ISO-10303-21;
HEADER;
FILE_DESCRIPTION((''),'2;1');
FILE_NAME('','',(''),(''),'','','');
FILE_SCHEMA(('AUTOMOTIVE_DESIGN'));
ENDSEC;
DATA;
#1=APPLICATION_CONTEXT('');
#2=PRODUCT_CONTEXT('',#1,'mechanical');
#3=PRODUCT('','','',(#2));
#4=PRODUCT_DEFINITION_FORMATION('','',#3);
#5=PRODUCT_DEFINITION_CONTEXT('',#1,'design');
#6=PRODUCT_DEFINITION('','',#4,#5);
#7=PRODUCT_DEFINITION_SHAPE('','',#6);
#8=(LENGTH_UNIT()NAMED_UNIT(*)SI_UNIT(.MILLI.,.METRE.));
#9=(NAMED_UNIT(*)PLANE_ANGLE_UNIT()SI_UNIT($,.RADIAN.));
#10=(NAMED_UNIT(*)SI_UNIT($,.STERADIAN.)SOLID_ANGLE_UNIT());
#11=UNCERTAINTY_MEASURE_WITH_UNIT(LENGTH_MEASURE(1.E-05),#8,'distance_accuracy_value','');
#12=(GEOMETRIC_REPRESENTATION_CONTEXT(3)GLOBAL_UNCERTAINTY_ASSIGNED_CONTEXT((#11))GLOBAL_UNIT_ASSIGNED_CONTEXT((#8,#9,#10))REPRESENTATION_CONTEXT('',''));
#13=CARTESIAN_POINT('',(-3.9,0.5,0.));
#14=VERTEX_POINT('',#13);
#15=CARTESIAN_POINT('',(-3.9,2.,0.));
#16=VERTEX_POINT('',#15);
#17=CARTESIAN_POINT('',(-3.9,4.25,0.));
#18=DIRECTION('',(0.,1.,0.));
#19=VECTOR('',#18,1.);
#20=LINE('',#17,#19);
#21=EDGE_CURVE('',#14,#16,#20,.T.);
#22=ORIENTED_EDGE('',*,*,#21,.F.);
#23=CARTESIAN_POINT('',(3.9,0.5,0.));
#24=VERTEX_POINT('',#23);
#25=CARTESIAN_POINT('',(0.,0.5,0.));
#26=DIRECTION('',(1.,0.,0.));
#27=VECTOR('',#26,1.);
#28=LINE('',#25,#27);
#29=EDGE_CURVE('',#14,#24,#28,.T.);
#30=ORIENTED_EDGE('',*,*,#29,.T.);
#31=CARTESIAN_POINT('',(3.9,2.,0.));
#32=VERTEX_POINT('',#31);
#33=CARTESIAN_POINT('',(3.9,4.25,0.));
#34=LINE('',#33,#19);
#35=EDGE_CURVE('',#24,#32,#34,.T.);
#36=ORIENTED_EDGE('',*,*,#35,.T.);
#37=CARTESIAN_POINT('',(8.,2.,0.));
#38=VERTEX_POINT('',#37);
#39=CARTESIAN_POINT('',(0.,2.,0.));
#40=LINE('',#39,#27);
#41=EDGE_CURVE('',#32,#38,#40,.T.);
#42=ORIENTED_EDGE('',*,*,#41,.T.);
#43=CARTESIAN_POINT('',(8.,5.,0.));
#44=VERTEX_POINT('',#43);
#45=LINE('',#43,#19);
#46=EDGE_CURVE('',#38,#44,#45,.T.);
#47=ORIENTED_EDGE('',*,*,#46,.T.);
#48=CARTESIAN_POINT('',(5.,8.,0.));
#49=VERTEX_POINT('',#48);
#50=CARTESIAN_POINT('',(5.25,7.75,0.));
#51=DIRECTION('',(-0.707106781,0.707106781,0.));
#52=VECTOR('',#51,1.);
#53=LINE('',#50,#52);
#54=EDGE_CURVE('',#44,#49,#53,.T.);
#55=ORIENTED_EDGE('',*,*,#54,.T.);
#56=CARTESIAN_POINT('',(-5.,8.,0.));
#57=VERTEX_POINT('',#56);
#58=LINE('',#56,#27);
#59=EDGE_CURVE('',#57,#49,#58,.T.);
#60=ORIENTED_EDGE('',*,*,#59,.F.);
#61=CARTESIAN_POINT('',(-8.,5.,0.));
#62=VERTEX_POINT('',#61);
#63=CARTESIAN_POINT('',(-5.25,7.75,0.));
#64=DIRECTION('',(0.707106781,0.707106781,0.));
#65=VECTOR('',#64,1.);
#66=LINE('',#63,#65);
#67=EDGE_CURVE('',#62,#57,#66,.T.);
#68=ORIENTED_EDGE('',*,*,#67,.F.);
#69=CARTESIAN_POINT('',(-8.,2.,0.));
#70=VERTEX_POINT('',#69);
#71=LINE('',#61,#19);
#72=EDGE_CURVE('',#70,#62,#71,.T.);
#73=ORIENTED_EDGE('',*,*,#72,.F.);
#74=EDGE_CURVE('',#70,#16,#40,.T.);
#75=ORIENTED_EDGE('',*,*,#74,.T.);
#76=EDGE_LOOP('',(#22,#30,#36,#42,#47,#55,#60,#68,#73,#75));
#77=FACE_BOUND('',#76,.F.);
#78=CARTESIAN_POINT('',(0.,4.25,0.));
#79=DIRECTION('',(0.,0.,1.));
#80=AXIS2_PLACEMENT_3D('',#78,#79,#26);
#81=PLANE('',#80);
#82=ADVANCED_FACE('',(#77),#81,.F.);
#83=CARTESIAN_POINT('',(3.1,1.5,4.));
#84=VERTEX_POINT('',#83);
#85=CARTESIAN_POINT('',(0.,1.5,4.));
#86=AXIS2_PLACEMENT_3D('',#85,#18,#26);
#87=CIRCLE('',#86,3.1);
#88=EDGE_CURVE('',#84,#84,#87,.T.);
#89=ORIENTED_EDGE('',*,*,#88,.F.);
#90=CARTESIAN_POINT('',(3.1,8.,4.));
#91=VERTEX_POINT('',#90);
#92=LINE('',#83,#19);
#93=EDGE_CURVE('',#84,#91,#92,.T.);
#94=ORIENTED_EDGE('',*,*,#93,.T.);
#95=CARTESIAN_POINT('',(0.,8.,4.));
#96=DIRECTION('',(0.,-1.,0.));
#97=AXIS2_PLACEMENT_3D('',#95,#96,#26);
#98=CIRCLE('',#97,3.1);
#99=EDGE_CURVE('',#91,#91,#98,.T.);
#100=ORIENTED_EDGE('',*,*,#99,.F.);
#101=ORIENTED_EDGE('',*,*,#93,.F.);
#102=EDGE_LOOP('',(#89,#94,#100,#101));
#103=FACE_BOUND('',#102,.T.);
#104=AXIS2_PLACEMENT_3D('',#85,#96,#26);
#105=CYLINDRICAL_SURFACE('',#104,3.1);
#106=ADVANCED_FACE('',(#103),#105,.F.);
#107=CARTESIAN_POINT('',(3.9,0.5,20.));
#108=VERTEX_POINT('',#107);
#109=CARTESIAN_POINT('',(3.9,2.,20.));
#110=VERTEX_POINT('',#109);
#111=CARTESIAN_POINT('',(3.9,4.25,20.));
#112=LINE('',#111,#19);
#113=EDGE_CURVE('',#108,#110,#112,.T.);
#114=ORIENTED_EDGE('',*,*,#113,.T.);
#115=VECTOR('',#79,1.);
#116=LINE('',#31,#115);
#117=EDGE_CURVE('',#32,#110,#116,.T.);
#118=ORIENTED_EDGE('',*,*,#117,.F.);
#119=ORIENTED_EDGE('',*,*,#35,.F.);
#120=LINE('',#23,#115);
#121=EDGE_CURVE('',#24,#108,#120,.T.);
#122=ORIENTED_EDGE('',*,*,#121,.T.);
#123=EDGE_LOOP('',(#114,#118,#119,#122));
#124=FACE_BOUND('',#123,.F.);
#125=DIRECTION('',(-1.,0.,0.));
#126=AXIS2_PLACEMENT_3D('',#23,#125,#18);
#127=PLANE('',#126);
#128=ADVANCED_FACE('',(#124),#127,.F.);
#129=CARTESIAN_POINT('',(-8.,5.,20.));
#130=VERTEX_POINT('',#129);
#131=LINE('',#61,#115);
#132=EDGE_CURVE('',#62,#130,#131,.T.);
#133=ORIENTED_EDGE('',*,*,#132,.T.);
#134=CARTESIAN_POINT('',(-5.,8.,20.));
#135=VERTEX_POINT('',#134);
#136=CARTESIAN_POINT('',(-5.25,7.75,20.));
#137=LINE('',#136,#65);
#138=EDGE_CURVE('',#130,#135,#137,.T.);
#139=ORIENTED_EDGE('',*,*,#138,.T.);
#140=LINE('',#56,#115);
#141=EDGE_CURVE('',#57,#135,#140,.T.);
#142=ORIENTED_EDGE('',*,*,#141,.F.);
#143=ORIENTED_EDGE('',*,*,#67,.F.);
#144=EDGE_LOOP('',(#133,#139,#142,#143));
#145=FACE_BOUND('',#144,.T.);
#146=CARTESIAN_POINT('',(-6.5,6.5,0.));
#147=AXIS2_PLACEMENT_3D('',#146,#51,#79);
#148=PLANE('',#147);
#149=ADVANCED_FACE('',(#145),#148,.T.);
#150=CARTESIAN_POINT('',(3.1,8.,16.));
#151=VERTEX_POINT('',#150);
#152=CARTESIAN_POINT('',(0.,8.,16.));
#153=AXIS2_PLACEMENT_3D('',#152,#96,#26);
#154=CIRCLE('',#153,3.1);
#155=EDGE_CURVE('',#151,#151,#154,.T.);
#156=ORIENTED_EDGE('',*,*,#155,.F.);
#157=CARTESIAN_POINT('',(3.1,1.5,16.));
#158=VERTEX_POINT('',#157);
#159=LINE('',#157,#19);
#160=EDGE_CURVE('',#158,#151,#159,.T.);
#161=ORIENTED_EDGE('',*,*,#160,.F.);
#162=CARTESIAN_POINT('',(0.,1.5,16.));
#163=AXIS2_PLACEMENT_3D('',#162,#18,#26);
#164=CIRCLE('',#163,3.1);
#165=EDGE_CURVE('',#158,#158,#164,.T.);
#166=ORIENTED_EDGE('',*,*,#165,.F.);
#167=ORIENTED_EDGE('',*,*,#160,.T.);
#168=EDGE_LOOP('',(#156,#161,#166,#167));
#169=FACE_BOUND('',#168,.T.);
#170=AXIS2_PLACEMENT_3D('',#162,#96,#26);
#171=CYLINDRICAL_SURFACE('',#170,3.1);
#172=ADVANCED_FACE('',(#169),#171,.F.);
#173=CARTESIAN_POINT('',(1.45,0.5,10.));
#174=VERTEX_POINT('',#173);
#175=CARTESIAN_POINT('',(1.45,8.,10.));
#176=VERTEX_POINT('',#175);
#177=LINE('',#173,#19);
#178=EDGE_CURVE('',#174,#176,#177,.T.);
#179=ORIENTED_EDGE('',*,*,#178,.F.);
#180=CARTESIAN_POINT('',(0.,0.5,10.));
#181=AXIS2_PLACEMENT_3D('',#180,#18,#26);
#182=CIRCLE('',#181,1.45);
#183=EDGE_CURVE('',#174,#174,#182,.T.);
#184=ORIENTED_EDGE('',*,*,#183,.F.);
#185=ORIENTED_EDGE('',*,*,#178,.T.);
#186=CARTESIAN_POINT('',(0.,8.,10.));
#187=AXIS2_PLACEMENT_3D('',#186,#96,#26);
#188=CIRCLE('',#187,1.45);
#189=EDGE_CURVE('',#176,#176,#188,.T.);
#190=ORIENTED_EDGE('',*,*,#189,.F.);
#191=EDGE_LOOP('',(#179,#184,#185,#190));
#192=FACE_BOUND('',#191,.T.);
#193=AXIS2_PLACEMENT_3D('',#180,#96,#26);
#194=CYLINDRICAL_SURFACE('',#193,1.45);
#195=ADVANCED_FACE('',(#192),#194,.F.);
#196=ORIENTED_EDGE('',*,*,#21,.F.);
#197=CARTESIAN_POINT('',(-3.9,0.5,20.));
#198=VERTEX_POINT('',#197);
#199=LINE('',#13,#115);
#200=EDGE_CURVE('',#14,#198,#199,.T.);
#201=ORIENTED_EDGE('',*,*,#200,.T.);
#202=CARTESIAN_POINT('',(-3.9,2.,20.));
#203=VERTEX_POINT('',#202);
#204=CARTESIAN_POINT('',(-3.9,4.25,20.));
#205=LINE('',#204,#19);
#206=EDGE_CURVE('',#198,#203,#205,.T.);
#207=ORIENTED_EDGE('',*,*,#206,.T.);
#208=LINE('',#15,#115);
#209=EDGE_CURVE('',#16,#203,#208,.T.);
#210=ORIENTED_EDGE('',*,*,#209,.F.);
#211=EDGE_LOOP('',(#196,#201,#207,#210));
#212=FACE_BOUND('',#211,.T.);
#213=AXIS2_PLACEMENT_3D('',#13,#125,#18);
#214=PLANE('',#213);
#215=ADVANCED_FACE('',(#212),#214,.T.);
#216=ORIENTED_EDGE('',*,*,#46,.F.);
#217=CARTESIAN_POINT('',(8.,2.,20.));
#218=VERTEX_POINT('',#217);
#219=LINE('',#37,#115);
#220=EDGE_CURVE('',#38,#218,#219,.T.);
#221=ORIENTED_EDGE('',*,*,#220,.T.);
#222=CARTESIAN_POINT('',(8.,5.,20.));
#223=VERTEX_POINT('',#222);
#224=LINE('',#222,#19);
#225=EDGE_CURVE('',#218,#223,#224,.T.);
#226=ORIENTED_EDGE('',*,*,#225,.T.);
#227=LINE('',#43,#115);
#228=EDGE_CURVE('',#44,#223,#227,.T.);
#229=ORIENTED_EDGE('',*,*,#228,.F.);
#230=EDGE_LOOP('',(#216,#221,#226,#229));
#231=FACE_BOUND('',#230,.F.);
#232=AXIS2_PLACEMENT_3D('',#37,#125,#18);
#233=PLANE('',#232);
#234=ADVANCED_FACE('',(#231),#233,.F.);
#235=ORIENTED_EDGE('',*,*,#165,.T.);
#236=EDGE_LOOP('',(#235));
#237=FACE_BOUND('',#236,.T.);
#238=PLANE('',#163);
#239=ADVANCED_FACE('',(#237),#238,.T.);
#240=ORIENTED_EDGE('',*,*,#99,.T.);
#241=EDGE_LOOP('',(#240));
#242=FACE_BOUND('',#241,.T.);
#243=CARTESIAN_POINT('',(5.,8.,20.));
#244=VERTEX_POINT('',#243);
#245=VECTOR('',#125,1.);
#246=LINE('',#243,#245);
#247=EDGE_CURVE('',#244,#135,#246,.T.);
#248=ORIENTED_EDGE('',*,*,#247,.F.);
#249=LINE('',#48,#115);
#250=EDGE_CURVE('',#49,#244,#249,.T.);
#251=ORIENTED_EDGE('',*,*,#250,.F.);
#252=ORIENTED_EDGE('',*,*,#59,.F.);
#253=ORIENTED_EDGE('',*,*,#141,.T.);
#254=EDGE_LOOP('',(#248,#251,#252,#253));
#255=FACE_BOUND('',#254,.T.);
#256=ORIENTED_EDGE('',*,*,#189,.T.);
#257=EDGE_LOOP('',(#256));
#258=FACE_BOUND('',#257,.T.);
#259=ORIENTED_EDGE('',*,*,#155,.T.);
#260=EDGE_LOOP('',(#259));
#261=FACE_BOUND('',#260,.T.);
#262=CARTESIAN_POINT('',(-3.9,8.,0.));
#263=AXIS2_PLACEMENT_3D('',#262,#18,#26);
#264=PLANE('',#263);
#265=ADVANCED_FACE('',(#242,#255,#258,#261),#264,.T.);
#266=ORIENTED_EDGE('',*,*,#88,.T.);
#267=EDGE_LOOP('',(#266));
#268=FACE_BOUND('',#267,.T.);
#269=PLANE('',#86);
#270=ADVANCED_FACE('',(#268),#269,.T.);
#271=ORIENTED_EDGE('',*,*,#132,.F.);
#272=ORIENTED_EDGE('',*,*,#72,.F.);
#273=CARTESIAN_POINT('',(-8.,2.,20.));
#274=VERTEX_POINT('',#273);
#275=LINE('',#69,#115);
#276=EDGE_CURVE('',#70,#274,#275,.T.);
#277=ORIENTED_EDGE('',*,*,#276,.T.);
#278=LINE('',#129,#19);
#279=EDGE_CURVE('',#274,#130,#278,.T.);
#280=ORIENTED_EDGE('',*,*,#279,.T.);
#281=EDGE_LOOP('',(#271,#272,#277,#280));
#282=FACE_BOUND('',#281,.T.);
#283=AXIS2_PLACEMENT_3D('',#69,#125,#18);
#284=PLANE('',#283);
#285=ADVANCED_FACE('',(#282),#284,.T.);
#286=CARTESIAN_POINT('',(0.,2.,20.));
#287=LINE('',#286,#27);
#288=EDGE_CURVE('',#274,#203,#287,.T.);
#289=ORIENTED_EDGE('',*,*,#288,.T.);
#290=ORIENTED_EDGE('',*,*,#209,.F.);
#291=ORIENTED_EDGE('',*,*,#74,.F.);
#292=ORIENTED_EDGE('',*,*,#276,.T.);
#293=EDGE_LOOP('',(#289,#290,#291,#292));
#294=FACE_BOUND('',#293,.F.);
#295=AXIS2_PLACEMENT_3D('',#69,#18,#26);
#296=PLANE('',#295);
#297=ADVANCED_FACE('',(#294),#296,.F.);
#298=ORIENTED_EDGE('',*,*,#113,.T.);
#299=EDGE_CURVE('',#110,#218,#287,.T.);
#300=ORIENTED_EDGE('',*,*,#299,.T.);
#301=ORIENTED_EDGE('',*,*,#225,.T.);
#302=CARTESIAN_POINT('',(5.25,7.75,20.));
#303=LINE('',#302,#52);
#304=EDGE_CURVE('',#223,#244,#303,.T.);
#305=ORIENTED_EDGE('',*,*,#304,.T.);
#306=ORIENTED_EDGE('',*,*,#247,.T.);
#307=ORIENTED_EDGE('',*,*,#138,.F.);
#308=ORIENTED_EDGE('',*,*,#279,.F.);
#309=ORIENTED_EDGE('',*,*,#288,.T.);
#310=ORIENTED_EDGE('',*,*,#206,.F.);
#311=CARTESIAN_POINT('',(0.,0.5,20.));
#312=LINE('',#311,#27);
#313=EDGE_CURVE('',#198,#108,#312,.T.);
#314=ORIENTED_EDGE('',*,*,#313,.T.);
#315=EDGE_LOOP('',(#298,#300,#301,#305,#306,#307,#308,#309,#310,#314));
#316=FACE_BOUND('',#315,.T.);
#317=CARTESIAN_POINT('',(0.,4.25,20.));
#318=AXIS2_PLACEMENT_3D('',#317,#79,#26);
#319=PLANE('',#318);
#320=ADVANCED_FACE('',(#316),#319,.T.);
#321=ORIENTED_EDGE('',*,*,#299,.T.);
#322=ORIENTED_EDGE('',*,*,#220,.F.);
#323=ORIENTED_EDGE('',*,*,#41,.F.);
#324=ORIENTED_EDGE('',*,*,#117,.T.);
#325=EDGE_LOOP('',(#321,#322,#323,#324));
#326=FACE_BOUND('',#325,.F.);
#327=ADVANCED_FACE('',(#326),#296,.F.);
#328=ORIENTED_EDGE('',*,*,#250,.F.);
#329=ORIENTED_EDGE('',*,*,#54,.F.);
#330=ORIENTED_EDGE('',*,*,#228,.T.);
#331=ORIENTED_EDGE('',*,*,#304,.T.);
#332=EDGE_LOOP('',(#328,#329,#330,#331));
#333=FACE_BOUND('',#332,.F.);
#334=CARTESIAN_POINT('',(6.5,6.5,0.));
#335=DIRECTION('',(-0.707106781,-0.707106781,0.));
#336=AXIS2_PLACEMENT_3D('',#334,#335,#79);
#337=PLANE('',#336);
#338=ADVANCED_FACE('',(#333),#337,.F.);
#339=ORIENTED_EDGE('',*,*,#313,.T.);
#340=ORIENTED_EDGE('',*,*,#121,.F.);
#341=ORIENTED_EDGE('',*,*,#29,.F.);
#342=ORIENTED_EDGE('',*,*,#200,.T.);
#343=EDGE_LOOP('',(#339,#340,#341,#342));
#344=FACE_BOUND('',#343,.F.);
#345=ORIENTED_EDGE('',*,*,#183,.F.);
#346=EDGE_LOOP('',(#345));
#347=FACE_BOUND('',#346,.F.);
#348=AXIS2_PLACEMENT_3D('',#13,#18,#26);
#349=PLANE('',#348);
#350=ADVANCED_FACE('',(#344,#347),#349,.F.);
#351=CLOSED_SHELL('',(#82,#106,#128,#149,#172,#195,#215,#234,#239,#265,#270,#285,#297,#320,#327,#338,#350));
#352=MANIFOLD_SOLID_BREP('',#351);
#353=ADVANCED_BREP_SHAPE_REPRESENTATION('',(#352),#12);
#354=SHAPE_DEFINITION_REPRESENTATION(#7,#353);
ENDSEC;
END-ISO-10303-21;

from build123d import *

# Parameters (mm, degrees)
CYLINDER016017_R            = 1.45
CYLINDER016017_DEPTH        = 10
CYLINDER016015_R            = 3.1
CYLINDER016015_DEPTH        = 10
CYLINDER016016_R            = 3.1
CYLINDER016016_DEPTH        = 10
BOX021_W                    = 7.8
BOX021_H                    = 7.5
BOX021_DEPTH                = 20
BOX022_W                    = 16
BOX022_H                    = 6
BOX022_DEPTH                = 20
CHAMFER016016008004002_SIZE = 3


with BuildPart() as cylinder033:
    # Cylinder016017 → Cylinder016017 (new body)
    with BuildSketch(Plane(origin=(0, 0.5, 10), x_dir=(1, 0, 0), z_dir=(0, 1, 0))):
        Circle(CYLINDER016017_R)
    extrude(amount=CYLINDER016017_DEPTH)


with BuildPart() as cylinder031:
    # Cylinder016015 → Cylinder016015 (new body)
    with BuildSketch(Plane(origin=(0, 0.5, 4), x_dir=(1, 0, 0), z_dir=(0, 1, 0))):
        Circle(CYLINDER016015_R)
    extrude(amount=CYLINDER016015_DEPTH)


with BuildPart() as fusion018004:
    # Cylinder016016 → Cylinder016016 (new body)
    with BuildSketch(Plane(origin=(0, 0.5, 16), x_dir=(1, 0, 0), z_dir=(0, 1, 0))):
        Circle(CYLINDER016016_R)
    extrude(amount=CYLINDER016016_DEPTH)

    # Fusion018004: union Cylinder031
    add(cylinder031.part)


with BuildPart() as fusion018004_1:
    # Fusion018004 placement: moved
    add(fusion018004.part.moved(Location((0, 1, 0))))


with BuildPart() as cube021:
    # Box021 → Box021 (new body)
    with BuildSketch(Plane(origin=(-3.9, 0.5, 0), x_dir=(1, 0, 0), z_dir=(0, 0, 1))):
        with Locations((3.9, 3.75)):
            Rectangle(BOX021_W, BOX021_H)
    extrude(amount=BOX021_DEPTH)


with BuildPart() as magnet_nut:
    # Box022 → Box022 (new body)
    with BuildSketch(Plane(origin=(-8, 2, 0), x_dir=(1, 0, 0), z_dir=(0, 0, 1))):
        with Locations((8, 3)):
            Rectangle(BOX022_W, BOX022_H)
    extrude(amount=BOX022_DEPTH)

    # Chamfer016016008004002
    chamfer016016008004002_edges = [magnet_nut.edges().sort_by_distance(p)[0] for p in [
        (-8, 8, 10),
        (8, 8, 10),
    ]]
    chamfer(chamfer016016008004002_edges, length=CHAMFER016016008004002_SIZE)

    # Fusion018005: union Cube021
    add(cube021.part)

    # Cut010011008008: cut Fusion018004
    add(fusion018004_1.part, mode=Mode.SUBTRACT)

    # Cut010011008009: cut Cylinder033
    add(cylinder033.part, mode=Mode.SUBTRACT)


solid = magnet_nut.part
